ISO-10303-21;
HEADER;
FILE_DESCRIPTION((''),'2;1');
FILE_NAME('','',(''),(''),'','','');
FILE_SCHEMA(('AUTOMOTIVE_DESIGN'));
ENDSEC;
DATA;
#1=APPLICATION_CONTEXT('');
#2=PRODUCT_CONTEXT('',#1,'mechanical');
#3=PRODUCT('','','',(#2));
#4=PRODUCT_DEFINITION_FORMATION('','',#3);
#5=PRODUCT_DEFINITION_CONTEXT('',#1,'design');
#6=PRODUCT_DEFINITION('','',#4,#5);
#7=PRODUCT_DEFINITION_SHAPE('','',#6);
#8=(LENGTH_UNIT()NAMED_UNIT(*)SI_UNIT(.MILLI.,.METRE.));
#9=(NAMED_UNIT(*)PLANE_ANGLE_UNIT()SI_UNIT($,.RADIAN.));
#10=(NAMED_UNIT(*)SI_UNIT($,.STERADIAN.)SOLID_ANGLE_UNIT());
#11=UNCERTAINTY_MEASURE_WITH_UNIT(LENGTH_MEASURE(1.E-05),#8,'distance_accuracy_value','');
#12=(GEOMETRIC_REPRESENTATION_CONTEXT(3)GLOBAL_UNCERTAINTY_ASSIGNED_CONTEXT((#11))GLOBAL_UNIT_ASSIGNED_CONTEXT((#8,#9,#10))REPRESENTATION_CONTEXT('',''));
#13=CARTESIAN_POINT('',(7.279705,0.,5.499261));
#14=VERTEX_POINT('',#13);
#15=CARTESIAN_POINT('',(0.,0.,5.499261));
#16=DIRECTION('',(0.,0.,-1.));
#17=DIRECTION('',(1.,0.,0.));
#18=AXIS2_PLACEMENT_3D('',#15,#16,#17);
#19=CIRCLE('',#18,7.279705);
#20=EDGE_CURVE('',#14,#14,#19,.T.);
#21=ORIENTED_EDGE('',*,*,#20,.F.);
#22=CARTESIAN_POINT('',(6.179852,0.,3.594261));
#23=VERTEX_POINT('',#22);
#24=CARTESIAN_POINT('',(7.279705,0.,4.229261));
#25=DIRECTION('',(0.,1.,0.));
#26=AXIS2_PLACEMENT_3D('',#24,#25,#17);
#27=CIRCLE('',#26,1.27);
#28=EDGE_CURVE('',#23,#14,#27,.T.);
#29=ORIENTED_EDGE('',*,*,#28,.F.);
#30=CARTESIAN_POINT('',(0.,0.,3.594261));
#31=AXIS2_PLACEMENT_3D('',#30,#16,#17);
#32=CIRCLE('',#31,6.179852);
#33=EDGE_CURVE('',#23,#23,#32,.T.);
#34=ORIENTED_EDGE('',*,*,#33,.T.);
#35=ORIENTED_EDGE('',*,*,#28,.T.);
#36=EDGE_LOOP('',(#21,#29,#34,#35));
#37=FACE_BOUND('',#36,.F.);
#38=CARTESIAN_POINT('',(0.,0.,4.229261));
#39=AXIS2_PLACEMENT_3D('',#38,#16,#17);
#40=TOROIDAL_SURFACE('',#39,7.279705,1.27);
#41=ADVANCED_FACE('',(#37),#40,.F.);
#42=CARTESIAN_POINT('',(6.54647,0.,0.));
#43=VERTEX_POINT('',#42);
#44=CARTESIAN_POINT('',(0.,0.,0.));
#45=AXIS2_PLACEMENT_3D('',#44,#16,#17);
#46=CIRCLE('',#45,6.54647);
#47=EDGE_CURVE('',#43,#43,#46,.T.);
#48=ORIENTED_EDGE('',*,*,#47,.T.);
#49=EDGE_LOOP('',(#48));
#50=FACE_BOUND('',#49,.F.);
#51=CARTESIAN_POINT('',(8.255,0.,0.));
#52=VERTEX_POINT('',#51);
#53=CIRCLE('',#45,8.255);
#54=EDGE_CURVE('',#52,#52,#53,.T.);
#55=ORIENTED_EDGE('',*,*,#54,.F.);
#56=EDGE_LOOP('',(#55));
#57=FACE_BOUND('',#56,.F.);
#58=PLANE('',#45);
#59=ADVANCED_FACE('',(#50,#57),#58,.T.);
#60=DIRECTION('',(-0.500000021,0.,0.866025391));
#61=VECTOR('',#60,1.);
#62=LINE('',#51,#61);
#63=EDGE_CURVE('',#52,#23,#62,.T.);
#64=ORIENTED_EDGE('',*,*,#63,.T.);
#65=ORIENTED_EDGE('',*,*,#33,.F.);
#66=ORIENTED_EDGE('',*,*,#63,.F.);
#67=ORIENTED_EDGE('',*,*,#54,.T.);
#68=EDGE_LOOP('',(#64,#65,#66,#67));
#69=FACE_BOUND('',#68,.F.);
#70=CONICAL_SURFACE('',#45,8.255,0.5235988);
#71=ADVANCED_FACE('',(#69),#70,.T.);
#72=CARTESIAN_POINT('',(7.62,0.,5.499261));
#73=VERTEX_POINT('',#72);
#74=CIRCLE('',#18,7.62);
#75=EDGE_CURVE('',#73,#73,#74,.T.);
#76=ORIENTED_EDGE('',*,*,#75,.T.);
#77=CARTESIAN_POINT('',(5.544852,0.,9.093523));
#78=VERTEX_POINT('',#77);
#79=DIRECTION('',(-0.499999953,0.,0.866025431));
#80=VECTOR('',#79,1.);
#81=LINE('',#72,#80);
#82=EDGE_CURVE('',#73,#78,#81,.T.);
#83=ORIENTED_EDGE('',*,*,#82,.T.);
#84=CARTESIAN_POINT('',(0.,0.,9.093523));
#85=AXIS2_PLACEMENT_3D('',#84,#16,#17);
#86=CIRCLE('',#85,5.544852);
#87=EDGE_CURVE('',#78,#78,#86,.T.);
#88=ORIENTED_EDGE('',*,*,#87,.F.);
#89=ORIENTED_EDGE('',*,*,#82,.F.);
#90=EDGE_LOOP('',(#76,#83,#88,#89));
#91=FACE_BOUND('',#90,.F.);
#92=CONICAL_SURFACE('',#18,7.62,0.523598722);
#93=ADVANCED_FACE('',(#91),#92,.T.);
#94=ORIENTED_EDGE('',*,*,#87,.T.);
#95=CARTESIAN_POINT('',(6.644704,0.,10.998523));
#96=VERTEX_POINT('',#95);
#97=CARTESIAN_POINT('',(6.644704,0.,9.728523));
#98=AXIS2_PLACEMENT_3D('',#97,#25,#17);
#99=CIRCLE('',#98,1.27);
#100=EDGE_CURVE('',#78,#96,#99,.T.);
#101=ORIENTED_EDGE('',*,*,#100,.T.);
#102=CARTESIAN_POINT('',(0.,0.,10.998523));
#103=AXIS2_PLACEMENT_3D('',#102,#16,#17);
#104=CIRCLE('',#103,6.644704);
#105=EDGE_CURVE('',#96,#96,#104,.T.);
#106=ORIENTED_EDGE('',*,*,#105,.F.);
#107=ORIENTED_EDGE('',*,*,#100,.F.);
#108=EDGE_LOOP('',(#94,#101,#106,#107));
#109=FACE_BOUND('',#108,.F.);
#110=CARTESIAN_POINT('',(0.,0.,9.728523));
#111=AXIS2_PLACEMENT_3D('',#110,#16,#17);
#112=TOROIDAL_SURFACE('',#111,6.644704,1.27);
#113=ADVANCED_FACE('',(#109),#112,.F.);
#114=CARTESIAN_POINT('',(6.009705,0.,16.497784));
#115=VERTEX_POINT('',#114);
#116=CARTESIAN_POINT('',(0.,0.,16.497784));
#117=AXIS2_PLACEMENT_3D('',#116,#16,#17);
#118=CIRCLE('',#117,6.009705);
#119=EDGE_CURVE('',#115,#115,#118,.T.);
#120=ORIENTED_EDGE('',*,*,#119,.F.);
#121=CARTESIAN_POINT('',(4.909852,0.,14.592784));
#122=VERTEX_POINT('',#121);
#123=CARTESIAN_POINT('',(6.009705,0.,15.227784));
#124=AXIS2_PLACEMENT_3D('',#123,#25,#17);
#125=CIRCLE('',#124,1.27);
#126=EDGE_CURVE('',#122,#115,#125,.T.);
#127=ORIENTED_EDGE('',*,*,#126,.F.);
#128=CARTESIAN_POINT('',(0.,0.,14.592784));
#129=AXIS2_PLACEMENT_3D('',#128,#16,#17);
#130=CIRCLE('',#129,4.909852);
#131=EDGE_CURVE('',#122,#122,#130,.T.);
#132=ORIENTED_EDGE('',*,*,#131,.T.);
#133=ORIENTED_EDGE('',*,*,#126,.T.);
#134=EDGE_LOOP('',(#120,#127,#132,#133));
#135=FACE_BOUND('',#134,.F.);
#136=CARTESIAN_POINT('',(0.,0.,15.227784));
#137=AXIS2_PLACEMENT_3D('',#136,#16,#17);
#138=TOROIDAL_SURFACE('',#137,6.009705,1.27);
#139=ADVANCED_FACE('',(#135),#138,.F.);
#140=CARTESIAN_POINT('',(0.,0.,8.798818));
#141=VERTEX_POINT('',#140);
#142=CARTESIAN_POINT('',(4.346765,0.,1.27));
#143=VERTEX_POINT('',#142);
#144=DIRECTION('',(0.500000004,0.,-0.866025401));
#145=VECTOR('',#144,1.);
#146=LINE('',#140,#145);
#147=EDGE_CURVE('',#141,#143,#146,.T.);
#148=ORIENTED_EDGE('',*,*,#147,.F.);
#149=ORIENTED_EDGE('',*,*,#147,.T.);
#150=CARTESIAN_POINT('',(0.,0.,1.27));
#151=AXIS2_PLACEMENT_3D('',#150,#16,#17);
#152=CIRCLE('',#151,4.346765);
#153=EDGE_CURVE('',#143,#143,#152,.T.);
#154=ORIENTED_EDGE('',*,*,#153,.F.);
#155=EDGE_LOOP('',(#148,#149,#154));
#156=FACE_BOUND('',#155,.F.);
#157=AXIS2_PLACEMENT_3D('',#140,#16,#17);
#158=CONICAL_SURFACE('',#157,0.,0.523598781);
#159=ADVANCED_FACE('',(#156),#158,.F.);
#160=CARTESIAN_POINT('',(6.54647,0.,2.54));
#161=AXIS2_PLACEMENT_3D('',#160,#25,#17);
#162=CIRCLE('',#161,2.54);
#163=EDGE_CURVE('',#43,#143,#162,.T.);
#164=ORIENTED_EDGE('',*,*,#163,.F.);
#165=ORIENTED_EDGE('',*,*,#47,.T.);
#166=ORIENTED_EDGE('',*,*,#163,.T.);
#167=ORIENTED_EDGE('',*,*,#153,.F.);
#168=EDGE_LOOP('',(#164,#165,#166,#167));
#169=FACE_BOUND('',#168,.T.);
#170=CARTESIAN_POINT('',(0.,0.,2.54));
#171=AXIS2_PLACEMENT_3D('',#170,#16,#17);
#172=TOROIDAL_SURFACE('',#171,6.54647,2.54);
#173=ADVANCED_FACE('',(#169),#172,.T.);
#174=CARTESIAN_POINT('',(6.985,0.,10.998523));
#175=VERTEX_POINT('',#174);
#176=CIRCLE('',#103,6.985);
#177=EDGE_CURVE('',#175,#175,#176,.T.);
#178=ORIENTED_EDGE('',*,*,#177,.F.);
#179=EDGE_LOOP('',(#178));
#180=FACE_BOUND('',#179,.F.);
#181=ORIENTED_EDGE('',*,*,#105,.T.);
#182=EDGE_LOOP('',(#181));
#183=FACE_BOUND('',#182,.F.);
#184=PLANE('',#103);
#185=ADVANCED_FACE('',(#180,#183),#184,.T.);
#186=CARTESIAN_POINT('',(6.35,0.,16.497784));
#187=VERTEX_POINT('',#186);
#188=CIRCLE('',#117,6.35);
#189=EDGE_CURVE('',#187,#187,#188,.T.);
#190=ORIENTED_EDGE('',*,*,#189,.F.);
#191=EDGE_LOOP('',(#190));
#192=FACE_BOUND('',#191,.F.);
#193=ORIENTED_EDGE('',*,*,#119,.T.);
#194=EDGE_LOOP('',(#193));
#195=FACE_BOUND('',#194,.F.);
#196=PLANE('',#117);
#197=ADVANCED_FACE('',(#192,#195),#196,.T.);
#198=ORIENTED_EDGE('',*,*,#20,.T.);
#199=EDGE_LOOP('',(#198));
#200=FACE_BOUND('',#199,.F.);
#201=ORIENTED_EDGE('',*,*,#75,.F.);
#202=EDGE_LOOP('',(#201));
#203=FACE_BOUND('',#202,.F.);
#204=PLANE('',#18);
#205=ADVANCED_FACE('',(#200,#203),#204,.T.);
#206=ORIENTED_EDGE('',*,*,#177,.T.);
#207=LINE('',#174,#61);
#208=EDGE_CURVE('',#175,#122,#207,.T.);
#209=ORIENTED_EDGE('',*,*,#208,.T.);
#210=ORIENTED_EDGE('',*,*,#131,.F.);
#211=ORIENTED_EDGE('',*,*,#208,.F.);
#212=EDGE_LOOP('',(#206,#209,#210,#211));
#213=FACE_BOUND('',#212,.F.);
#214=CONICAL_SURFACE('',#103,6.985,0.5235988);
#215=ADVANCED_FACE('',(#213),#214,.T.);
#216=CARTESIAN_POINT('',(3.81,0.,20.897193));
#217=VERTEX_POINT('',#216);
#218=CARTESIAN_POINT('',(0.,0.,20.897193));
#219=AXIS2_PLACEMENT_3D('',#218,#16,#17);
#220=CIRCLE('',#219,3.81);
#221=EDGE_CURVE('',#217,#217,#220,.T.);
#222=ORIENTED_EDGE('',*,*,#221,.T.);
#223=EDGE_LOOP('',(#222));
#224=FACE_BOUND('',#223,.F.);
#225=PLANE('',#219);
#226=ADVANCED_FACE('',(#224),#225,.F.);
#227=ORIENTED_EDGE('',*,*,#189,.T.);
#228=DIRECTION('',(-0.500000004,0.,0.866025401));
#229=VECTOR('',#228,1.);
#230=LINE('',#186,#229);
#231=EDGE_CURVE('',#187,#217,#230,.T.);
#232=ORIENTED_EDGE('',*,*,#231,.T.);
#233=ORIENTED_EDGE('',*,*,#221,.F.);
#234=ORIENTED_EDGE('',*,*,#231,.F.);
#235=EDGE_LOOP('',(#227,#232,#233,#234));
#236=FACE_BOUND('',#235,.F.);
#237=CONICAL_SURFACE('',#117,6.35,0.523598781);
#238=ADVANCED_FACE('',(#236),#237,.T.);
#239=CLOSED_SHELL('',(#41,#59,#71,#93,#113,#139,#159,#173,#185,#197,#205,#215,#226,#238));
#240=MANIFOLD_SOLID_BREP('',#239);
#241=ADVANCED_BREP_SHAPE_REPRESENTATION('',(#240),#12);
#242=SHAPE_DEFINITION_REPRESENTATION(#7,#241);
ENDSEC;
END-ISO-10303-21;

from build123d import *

# Parameters (mm, degrees)
F2_R = 2.54
F3_R = 1.27


with BuildPart() as f1:
    # F0 (on Front) → F1 (revolve)
    with BuildSketch(Plane.XZ):
        Polygon((5.08, 0), (8.255, 0), (5.08, 5.499261), (7.62, 5.499261), (4.445, 10.998523), (6.985, 10.998523), (3.81, 16.497784), (6.35, 16.497784), (3.81, 20.897193), (0, 20.897193), (0, 8.798818), align=None)
    revolve(axis=Axis((0, 0, 14.848006), (0, 0, -1)))

    # F2
    f2_edges = [f1.edges().sort_by_distance(p)[0] for p in [
        (-5.08, 0, 0),
    ]]
    fillet(f2_edges, radius=F2_R)

    # F3
    f3_edges = [f1.edges().sort_by_distance(p)[0] for p in [
        (-5.08, 0, 5.499261),
        (-4.445, 0, 10.998523),
        (-3.81, 0, 16.497784),
    ]]
    fillet(f3_edges, radius=F3_R)


solid = f1.part
